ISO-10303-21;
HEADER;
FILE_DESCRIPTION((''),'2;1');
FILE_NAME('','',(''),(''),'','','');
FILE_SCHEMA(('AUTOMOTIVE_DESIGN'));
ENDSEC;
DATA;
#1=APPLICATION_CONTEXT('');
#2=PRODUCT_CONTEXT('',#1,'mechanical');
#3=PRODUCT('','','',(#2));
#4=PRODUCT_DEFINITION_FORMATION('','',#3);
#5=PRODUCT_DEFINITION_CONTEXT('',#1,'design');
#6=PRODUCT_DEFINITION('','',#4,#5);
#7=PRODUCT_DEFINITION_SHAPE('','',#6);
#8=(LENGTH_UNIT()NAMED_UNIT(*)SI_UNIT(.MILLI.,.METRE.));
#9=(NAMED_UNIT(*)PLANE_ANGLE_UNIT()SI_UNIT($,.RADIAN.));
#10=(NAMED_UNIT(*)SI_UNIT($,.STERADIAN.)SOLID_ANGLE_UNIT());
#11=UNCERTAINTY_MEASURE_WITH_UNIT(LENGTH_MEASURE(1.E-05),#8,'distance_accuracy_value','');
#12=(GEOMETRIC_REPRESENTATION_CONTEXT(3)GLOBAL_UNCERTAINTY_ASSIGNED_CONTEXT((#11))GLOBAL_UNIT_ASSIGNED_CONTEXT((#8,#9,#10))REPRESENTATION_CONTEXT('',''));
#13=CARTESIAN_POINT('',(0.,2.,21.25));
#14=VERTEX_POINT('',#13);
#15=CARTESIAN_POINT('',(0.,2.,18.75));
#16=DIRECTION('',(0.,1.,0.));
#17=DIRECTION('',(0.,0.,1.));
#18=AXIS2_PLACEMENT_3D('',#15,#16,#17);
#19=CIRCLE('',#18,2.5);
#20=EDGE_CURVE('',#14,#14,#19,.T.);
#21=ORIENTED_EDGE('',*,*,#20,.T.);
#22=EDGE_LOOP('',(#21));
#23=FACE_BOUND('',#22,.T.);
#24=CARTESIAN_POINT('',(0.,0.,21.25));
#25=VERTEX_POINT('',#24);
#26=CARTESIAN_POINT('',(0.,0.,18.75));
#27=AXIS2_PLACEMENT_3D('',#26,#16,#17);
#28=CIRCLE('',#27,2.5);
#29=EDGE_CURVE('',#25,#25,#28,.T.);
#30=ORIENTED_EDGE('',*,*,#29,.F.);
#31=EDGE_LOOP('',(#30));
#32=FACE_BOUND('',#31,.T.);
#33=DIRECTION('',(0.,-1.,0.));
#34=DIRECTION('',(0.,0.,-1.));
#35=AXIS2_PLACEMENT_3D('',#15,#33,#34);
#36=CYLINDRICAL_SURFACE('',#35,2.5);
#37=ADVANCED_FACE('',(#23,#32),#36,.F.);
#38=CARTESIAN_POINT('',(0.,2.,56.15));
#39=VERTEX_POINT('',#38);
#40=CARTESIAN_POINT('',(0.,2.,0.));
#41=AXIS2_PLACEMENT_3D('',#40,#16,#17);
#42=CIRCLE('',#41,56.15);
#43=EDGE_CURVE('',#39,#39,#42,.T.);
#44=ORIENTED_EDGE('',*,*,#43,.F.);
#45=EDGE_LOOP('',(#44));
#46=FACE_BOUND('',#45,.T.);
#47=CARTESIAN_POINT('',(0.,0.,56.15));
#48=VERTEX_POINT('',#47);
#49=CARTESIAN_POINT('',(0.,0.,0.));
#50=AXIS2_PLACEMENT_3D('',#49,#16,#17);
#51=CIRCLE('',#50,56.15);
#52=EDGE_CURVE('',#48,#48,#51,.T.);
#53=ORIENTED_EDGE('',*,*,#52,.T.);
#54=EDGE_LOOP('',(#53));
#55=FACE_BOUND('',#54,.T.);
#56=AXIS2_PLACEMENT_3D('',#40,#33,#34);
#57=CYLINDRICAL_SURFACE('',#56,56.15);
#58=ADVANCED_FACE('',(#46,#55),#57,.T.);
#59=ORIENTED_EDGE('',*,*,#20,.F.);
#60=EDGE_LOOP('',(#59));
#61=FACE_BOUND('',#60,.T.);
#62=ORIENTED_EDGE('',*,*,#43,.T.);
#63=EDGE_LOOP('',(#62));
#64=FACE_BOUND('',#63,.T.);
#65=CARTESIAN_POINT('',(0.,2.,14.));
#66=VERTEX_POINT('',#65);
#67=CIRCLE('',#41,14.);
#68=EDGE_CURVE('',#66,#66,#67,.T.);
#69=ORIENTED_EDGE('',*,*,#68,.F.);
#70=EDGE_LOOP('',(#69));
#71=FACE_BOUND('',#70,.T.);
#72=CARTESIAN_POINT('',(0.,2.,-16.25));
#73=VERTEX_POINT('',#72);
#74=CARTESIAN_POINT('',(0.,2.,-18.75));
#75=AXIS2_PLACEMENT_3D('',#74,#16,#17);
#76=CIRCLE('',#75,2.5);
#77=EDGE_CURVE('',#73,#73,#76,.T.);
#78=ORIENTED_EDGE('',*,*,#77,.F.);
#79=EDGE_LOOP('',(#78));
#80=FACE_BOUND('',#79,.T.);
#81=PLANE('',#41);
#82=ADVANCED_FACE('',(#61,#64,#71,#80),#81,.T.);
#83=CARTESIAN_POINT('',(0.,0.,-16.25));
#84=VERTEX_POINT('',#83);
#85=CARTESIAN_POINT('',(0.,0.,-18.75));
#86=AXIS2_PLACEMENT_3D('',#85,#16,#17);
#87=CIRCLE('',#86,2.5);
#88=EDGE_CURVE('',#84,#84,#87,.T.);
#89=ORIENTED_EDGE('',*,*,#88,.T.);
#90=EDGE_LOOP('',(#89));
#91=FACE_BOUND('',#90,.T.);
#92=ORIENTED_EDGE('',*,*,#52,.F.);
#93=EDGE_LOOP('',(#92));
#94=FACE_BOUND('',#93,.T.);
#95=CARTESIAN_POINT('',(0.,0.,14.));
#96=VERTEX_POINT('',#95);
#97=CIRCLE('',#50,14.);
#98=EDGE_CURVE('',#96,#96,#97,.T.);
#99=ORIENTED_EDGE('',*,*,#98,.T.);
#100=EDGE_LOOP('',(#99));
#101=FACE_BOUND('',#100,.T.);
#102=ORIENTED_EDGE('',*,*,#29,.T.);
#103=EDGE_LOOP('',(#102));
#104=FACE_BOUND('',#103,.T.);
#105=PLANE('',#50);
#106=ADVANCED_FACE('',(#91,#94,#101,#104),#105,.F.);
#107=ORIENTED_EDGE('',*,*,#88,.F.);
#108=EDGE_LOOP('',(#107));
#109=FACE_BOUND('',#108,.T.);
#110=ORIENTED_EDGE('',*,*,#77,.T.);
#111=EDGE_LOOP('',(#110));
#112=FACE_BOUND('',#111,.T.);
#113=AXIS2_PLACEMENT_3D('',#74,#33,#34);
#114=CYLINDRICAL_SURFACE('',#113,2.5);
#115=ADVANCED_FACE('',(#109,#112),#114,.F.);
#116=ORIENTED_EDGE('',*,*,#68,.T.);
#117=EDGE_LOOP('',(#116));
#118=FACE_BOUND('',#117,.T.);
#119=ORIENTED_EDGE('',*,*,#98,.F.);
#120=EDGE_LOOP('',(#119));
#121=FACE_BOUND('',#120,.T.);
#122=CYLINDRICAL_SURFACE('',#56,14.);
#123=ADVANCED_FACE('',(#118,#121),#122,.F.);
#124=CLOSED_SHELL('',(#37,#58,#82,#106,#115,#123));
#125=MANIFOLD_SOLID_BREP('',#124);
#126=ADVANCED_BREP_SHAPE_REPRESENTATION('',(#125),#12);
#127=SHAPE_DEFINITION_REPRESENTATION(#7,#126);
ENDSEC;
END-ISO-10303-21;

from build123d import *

# Parameters (mm, degrees)
SKETCH1_R           = 56.15
SKETCH1_R_2         = 2.5
SKETCH1_R_3         = 14
BOSS_EXTRUDE1_DEPTH = 2


with BuildPart() as part:
    # Sketch1 → Boss-Extrude1 (new body)
    with BuildSketch(Plane(origin=(0, 0, 0), x_dir=(1, 0, 0), z_dir=(0, 1, 0))):
        with Locations(Location((0, 0, 0), (0, 0, 270))):
            Circle(SKETCH1_R)
        with Locations(Location((0, 18.75, 0), (0, 0, 270))):
            Circle(SKETCH1_R_2, mode=Mode.SUBTRACT)
        with Locations(Location((0, -18.75, 0), (0, 0, 270))):
            Circle(SKETCH1_R_2, mode=Mode.SUBTRACT)
        with Locations(Location((0, 0, 0), (0, 0, 270))):
            Circle(SKETCH1_R_3, mode=Mode.SUBTRACT)
    extrude(amount=BOSS_EXTRUDE1_DEPTH)


solid = part.part
